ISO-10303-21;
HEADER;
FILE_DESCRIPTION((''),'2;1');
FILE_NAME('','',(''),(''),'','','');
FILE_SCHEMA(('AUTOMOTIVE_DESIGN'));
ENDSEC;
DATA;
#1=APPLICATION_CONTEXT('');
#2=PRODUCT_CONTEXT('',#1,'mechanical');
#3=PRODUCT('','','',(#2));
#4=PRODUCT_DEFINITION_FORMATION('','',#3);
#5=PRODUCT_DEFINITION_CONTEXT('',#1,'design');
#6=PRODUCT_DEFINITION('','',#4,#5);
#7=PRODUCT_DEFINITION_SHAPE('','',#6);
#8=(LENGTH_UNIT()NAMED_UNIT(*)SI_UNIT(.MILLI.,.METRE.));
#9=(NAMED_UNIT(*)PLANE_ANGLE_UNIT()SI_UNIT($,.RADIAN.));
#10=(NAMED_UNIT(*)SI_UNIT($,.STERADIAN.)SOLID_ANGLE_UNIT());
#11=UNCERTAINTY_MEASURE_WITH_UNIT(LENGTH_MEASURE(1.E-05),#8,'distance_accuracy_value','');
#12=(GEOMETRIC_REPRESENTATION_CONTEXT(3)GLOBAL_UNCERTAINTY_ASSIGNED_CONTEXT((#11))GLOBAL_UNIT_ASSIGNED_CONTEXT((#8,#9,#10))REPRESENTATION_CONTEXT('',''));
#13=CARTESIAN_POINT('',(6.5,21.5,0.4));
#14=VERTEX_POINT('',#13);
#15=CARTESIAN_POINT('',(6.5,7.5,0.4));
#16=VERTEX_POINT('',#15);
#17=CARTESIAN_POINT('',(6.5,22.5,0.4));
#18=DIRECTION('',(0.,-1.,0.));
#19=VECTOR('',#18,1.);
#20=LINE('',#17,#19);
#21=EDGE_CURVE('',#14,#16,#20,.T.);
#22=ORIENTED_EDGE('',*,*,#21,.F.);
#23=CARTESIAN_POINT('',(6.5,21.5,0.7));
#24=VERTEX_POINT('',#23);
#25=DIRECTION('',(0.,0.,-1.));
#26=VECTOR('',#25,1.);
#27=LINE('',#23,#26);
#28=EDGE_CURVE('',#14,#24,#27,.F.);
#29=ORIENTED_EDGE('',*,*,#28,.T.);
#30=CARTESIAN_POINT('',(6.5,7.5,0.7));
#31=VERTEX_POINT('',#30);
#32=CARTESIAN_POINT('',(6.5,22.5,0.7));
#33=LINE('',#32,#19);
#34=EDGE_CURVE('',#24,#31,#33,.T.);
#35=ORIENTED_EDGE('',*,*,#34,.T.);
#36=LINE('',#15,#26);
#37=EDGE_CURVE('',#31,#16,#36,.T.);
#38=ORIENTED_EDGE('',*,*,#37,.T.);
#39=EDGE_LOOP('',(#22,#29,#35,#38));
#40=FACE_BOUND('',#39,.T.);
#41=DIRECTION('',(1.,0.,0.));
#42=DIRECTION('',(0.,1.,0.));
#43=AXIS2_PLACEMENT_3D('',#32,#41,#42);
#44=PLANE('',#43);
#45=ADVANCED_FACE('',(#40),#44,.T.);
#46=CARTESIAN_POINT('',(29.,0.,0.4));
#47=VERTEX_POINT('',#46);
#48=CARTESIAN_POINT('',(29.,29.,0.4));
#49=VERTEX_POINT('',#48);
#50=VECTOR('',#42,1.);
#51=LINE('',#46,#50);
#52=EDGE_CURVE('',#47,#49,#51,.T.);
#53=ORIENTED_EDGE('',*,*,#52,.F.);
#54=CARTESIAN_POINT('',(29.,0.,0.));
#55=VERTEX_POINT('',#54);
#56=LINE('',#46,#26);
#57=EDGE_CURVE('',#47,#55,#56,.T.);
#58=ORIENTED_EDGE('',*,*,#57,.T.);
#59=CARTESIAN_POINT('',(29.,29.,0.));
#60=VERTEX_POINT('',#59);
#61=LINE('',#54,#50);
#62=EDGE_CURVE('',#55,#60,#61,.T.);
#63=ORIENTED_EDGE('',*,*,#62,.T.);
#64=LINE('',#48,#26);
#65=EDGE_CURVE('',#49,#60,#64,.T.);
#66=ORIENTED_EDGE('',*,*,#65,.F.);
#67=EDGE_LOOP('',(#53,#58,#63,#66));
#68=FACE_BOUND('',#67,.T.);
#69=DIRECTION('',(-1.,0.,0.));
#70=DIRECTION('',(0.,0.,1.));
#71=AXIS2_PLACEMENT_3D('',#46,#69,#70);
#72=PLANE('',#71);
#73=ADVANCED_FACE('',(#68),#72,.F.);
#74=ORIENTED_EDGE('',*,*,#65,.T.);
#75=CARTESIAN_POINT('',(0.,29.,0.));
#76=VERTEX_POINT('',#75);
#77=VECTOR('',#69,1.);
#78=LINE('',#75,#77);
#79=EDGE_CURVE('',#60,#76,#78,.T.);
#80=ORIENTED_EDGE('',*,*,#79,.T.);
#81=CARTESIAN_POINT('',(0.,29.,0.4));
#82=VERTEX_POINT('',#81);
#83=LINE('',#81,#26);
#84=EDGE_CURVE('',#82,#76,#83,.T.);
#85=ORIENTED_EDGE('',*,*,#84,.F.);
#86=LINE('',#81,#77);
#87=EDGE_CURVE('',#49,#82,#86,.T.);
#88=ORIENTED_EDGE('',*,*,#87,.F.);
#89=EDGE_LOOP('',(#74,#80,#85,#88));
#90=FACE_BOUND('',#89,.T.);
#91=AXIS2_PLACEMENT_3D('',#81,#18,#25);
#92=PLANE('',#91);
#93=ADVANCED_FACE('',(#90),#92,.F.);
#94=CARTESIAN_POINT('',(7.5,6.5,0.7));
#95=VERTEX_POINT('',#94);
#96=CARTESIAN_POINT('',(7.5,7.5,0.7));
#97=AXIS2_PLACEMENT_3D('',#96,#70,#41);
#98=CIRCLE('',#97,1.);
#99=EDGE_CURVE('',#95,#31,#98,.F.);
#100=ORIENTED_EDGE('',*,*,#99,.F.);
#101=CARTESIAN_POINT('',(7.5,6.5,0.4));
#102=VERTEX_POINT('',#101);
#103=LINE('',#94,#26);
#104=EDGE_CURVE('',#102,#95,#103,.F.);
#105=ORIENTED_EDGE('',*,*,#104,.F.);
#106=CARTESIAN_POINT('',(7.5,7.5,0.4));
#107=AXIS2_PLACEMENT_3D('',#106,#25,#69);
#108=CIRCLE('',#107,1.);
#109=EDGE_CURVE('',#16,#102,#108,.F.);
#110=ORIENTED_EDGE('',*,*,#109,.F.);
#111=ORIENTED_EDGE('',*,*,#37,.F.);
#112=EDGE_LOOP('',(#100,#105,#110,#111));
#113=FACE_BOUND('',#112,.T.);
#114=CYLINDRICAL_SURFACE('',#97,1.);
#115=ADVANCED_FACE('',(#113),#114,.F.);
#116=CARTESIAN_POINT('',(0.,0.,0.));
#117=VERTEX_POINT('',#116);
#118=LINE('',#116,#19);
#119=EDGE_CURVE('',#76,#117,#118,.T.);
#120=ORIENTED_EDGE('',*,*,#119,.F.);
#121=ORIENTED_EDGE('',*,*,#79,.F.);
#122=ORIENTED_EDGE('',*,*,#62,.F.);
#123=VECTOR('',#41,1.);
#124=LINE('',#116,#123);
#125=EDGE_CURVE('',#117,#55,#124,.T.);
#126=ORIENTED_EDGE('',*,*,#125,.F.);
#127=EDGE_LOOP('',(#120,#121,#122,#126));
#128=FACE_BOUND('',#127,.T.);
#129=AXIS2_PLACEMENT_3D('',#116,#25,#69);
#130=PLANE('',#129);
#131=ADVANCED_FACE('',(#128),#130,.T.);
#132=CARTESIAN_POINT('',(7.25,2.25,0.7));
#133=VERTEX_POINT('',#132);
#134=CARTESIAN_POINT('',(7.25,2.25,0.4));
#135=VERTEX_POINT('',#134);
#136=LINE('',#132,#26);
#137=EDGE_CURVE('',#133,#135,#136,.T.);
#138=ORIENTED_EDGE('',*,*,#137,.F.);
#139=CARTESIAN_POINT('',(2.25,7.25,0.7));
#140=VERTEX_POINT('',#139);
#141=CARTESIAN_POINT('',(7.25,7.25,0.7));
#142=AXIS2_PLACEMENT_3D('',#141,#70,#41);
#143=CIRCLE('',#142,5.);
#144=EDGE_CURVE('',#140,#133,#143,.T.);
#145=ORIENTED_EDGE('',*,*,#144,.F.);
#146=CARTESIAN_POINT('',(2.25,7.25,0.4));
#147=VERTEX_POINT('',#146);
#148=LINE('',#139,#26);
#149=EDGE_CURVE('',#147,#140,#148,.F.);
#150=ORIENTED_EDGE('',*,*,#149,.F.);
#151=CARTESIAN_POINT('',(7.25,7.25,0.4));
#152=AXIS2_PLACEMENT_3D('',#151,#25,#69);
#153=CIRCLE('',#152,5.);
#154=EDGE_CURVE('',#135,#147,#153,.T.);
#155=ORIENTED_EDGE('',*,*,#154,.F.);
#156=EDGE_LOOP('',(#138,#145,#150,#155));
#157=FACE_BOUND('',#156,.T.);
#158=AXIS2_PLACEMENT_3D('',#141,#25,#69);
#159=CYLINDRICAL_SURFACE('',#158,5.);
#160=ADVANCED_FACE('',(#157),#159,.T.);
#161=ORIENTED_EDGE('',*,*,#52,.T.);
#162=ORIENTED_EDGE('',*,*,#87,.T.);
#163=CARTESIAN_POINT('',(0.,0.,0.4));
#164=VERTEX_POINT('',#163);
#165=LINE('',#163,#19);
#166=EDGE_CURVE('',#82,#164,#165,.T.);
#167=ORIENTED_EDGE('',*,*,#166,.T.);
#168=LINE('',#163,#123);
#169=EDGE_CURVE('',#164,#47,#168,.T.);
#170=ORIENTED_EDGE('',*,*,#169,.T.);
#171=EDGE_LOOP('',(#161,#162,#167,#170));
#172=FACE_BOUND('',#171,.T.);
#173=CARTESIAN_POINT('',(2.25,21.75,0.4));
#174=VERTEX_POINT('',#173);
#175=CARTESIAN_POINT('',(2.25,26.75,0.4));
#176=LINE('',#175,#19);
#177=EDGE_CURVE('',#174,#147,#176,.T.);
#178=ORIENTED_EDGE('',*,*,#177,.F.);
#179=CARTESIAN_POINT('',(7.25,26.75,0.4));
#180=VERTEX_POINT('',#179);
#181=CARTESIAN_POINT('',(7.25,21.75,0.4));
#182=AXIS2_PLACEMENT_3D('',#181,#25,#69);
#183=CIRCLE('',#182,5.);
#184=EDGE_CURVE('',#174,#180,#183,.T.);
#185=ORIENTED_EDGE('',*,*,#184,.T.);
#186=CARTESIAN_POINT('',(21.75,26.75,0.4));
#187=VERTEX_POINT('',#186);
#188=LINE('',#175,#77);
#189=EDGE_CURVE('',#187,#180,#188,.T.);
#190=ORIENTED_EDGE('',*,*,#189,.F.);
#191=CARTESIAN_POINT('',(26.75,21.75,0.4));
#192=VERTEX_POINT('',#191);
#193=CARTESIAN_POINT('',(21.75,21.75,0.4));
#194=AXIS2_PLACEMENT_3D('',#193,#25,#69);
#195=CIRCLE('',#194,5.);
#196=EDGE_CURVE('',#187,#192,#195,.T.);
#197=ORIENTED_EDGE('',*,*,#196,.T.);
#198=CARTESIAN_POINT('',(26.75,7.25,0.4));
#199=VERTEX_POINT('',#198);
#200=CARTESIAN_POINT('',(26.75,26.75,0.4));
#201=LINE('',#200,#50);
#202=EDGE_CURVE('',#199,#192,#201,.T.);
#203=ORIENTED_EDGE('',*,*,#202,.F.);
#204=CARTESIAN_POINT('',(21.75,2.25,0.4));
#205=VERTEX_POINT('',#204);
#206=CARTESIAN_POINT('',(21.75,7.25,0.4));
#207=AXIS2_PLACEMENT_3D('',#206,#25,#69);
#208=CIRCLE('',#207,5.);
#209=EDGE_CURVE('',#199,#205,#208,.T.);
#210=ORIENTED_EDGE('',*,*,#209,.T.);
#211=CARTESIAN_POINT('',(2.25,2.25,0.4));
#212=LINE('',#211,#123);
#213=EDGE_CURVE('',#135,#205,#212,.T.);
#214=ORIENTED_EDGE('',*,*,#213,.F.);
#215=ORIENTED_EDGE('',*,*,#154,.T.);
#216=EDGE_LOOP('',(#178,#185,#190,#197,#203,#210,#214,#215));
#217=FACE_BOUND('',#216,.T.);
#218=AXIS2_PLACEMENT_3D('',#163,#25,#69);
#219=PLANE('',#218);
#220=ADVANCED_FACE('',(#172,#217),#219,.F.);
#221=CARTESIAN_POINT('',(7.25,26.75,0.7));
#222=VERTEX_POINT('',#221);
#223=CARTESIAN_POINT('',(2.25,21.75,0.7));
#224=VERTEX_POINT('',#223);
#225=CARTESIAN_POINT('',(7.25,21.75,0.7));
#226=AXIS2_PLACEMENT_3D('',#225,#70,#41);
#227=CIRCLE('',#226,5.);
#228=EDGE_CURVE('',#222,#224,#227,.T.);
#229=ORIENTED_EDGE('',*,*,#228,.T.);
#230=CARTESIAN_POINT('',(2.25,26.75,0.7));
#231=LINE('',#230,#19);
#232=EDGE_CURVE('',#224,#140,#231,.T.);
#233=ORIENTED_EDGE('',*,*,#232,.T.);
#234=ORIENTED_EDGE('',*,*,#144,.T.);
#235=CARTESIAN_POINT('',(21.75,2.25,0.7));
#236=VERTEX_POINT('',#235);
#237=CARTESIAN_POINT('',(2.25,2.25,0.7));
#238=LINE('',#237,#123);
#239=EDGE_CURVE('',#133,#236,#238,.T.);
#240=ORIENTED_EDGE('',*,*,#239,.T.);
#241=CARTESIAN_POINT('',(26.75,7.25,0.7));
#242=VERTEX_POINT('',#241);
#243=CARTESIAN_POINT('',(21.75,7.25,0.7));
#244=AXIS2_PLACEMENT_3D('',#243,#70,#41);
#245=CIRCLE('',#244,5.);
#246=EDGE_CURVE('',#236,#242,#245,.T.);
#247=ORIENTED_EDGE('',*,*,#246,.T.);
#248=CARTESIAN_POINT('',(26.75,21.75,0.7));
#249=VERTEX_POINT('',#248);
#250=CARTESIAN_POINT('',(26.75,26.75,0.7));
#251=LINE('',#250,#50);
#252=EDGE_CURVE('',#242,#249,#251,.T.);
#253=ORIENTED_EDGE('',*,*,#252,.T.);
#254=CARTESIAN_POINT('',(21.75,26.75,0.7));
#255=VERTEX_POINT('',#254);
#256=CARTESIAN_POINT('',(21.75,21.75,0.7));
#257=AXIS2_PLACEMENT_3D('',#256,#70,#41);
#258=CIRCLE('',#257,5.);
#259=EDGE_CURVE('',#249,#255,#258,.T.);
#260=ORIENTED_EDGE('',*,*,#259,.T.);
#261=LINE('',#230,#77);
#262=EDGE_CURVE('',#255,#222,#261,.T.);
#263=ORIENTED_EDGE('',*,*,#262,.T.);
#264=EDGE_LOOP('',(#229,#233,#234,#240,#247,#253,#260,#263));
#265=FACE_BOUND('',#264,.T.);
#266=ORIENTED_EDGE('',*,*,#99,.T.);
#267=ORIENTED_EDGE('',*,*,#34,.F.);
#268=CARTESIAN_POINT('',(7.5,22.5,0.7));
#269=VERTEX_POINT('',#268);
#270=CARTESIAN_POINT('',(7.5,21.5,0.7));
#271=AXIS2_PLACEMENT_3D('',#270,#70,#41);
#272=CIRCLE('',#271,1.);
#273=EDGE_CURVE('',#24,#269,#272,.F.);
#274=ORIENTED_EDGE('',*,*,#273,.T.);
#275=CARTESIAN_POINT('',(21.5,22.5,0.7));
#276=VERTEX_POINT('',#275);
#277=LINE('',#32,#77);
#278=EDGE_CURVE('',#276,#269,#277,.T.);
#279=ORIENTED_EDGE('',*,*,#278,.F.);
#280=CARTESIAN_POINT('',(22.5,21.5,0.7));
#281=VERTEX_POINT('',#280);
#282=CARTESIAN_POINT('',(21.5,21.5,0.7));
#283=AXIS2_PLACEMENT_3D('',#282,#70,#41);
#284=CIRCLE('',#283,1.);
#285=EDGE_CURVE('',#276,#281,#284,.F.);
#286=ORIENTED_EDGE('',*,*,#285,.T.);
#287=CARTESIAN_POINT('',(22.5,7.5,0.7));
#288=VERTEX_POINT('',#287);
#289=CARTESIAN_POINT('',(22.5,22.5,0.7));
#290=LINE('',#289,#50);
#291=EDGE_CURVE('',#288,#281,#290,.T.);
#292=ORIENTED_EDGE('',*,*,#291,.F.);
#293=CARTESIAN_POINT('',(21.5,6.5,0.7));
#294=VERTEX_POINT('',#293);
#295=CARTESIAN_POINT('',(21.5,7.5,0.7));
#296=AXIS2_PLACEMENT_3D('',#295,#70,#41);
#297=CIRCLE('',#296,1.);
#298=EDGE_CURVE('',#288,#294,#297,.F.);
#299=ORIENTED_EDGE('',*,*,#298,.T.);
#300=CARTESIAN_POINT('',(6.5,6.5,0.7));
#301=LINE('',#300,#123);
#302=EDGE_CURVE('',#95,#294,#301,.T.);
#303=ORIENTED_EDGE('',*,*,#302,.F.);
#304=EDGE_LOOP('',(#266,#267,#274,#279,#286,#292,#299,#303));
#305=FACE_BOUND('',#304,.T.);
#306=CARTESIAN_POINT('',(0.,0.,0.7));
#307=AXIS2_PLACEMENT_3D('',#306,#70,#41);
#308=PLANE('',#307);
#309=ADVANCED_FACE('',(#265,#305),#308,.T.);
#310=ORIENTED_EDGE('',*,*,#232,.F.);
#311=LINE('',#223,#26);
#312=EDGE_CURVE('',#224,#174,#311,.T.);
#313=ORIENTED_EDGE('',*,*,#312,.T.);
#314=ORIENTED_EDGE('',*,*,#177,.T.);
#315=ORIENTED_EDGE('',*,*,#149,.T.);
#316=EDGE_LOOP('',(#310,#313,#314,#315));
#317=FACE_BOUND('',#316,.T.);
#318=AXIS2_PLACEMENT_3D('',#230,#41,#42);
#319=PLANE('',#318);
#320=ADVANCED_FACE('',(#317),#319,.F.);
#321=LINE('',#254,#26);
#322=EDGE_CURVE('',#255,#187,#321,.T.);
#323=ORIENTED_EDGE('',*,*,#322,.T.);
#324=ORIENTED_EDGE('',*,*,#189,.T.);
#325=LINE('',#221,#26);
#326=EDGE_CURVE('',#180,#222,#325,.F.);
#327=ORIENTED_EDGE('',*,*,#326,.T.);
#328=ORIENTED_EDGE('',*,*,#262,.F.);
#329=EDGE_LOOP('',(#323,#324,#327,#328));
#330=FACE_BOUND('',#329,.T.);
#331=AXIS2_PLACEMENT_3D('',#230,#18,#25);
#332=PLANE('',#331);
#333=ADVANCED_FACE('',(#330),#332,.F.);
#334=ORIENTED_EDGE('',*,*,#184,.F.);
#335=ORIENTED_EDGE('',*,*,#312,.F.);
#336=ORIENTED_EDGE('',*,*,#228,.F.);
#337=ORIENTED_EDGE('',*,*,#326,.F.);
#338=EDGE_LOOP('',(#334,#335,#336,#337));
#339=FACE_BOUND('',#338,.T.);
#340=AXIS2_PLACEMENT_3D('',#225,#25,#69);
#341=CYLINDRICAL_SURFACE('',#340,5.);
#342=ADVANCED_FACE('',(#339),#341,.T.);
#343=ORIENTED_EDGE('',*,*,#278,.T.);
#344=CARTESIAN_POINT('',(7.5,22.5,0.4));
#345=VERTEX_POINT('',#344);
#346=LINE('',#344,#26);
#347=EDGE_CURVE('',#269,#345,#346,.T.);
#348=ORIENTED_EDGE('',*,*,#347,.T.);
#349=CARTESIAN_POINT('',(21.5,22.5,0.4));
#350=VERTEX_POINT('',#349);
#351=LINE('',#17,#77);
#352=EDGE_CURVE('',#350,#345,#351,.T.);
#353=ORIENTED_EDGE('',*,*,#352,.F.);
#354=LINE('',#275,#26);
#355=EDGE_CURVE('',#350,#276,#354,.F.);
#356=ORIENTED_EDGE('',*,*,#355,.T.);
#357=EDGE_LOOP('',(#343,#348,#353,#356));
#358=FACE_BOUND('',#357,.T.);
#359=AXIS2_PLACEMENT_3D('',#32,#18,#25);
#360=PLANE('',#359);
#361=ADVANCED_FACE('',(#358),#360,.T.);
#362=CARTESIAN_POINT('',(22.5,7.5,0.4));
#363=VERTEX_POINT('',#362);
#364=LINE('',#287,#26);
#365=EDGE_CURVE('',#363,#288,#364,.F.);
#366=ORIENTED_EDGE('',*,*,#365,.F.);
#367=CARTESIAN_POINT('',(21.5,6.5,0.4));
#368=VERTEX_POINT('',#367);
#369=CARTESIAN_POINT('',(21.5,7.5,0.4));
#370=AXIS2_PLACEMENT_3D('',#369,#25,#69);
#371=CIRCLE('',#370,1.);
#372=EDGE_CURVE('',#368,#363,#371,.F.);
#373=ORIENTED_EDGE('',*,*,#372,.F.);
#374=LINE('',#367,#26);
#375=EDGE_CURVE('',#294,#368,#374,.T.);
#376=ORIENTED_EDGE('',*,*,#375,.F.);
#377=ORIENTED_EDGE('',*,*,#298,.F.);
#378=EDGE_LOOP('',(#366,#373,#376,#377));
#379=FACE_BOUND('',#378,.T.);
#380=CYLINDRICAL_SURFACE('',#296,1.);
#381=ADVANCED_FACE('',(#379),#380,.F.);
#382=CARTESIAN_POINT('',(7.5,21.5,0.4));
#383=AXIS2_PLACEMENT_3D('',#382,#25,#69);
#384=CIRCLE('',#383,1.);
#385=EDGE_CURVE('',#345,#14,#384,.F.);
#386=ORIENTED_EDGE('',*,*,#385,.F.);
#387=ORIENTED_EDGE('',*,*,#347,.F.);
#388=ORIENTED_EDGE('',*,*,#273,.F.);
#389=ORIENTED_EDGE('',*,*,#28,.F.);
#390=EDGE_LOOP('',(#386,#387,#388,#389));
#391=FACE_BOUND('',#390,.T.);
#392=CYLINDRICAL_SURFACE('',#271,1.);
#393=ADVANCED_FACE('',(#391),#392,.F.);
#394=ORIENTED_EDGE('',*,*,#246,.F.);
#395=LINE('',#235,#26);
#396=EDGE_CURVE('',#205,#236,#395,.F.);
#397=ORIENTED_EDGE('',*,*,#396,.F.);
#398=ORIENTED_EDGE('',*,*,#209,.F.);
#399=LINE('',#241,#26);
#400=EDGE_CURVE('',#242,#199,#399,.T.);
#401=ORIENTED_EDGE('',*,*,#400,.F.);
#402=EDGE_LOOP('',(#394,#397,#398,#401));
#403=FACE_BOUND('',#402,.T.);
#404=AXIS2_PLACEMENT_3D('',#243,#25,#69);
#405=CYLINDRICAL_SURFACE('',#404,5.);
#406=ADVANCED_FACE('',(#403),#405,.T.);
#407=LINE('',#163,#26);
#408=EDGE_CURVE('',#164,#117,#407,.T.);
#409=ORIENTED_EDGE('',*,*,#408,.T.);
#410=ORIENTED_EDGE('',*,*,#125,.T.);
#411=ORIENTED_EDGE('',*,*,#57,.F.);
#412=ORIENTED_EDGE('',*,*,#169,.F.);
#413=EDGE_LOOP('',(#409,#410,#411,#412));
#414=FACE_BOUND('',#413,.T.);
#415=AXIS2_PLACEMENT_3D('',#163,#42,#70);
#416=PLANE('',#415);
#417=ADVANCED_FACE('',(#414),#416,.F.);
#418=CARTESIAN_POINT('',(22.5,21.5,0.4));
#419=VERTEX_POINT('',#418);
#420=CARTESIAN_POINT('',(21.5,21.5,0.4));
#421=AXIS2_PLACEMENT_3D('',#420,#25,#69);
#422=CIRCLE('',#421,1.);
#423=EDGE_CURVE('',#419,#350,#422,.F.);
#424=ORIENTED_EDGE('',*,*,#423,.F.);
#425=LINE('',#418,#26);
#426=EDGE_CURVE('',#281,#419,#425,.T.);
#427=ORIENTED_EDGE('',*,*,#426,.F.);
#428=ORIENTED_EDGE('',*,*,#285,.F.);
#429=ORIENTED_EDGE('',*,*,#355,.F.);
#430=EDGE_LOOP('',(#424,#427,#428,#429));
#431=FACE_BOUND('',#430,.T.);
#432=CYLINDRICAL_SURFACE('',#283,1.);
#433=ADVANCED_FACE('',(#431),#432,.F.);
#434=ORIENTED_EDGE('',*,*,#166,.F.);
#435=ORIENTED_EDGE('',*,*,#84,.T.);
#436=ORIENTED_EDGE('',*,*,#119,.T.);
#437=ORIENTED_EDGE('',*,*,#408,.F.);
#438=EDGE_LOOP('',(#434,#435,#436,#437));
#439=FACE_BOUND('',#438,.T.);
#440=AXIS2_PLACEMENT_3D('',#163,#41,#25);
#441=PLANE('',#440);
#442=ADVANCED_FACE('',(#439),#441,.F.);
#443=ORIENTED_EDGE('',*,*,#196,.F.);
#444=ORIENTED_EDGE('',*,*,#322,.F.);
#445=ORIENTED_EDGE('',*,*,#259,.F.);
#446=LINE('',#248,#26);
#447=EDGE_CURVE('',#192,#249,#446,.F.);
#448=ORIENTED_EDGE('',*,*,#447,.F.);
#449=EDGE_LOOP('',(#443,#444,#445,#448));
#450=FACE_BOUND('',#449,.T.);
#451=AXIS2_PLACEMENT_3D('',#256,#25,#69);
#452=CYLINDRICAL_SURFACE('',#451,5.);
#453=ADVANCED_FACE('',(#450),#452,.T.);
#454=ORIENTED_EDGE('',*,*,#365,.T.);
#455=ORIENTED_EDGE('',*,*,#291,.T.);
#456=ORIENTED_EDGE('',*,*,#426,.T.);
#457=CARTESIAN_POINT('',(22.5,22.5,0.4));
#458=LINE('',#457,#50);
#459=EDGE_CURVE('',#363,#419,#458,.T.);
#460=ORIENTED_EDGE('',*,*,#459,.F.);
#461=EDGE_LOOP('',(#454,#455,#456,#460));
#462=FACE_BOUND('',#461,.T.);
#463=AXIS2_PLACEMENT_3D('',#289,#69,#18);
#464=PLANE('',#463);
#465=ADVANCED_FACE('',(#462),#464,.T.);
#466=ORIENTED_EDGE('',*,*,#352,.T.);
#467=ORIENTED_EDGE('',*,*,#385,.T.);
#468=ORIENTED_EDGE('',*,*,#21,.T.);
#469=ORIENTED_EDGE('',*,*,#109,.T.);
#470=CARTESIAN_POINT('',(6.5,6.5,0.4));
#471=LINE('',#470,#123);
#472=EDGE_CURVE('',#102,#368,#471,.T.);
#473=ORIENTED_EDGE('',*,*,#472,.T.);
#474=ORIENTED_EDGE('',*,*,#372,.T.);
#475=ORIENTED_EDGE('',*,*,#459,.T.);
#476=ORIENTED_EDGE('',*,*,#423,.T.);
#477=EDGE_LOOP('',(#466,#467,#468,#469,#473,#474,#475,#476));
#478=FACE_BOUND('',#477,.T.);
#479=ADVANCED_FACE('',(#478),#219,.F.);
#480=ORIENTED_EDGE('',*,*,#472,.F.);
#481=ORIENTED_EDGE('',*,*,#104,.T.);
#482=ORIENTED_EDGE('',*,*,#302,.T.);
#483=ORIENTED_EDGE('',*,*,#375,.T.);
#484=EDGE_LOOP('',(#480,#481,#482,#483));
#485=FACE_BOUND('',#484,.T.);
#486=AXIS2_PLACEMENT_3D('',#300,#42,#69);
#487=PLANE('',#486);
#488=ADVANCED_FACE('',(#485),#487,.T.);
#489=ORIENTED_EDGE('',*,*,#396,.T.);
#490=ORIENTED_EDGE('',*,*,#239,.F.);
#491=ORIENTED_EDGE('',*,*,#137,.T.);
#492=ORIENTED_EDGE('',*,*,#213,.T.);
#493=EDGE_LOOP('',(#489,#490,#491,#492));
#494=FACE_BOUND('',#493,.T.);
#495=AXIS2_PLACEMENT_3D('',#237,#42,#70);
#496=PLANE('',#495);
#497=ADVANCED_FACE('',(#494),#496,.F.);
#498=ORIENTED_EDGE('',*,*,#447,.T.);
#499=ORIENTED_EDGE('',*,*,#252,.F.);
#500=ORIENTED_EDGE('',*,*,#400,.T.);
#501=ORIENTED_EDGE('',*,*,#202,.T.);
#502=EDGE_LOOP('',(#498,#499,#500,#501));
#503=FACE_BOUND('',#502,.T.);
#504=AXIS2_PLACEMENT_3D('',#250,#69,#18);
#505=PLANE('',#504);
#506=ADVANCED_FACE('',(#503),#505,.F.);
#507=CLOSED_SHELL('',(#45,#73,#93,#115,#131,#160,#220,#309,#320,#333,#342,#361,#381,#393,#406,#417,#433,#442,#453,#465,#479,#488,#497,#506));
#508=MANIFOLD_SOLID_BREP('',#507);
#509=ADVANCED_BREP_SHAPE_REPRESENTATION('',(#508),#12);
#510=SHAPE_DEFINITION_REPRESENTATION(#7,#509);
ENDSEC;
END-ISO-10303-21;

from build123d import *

# Parameters (mm, degrees)
SKETCH1_W           = 29
SKETCH1_H           = 29
BOSS_EXTRUDE1_DEPTH = 0.4
SKETCH2_W           = 24.5
SKETCH2_H           = 24.5
SKETCH2_W_2         = 16
SKETCH2_H_2         = 16
BOSS_EXTRUDE2_DEPTH = 0.3
FILLET1_R           = 5
FILLET2_R           = 1


with BuildPart() as part:
    # Sketch1 → Boss-Extrude1 (new body)
    with BuildSketch(Plane.XY):
        with Locations((14.5, 14.5)):
            Rectangle(SKETCH1_W, SKETCH1_H)
    extrude(amount=BOSS_EXTRUDE1_DEPTH)

    # Sketch2 → Boss-Extrude2 (add)
    with BuildSketch(Plane.XY.offset(0.4)):
        with Locations((14.5, 14.5)):
            Rectangle(SKETCH2_W, SKETCH2_H)
        with Locations((14.5, 14.5)):
            Rectangle(SKETCH2_W_2, SKETCH2_H_2, mode=Mode.SUBTRACT)
    extrude(amount=BOSS_EXTRUDE2_DEPTH)

    # Fillet1
    fillet1_edges = [part.edges().sort_by_distance(p)[0] for p in [
        (2.25, 26.75, 0.55),
        (2.25, 2.25, 0.55),
        (26.75, 2.25, 0.55),
        (26.75, 26.75, 0.55),
    ]]
    fillet(fillet1_edges, radius=FILLET1_R)

    # Fillet2
    fillet2_edges = [part.edges().sort_by_distance(p)[0] for p in [
        (6.5, 6.5, 0.55),
        (22.5, 6.5, 0.55),
        (22.5, 22.5, 0.55),
        (6.5, 22.5, 0.55),
    ]]
    fillet(fillet2_edges, radius=FILLET2_R)


solid = part.part
